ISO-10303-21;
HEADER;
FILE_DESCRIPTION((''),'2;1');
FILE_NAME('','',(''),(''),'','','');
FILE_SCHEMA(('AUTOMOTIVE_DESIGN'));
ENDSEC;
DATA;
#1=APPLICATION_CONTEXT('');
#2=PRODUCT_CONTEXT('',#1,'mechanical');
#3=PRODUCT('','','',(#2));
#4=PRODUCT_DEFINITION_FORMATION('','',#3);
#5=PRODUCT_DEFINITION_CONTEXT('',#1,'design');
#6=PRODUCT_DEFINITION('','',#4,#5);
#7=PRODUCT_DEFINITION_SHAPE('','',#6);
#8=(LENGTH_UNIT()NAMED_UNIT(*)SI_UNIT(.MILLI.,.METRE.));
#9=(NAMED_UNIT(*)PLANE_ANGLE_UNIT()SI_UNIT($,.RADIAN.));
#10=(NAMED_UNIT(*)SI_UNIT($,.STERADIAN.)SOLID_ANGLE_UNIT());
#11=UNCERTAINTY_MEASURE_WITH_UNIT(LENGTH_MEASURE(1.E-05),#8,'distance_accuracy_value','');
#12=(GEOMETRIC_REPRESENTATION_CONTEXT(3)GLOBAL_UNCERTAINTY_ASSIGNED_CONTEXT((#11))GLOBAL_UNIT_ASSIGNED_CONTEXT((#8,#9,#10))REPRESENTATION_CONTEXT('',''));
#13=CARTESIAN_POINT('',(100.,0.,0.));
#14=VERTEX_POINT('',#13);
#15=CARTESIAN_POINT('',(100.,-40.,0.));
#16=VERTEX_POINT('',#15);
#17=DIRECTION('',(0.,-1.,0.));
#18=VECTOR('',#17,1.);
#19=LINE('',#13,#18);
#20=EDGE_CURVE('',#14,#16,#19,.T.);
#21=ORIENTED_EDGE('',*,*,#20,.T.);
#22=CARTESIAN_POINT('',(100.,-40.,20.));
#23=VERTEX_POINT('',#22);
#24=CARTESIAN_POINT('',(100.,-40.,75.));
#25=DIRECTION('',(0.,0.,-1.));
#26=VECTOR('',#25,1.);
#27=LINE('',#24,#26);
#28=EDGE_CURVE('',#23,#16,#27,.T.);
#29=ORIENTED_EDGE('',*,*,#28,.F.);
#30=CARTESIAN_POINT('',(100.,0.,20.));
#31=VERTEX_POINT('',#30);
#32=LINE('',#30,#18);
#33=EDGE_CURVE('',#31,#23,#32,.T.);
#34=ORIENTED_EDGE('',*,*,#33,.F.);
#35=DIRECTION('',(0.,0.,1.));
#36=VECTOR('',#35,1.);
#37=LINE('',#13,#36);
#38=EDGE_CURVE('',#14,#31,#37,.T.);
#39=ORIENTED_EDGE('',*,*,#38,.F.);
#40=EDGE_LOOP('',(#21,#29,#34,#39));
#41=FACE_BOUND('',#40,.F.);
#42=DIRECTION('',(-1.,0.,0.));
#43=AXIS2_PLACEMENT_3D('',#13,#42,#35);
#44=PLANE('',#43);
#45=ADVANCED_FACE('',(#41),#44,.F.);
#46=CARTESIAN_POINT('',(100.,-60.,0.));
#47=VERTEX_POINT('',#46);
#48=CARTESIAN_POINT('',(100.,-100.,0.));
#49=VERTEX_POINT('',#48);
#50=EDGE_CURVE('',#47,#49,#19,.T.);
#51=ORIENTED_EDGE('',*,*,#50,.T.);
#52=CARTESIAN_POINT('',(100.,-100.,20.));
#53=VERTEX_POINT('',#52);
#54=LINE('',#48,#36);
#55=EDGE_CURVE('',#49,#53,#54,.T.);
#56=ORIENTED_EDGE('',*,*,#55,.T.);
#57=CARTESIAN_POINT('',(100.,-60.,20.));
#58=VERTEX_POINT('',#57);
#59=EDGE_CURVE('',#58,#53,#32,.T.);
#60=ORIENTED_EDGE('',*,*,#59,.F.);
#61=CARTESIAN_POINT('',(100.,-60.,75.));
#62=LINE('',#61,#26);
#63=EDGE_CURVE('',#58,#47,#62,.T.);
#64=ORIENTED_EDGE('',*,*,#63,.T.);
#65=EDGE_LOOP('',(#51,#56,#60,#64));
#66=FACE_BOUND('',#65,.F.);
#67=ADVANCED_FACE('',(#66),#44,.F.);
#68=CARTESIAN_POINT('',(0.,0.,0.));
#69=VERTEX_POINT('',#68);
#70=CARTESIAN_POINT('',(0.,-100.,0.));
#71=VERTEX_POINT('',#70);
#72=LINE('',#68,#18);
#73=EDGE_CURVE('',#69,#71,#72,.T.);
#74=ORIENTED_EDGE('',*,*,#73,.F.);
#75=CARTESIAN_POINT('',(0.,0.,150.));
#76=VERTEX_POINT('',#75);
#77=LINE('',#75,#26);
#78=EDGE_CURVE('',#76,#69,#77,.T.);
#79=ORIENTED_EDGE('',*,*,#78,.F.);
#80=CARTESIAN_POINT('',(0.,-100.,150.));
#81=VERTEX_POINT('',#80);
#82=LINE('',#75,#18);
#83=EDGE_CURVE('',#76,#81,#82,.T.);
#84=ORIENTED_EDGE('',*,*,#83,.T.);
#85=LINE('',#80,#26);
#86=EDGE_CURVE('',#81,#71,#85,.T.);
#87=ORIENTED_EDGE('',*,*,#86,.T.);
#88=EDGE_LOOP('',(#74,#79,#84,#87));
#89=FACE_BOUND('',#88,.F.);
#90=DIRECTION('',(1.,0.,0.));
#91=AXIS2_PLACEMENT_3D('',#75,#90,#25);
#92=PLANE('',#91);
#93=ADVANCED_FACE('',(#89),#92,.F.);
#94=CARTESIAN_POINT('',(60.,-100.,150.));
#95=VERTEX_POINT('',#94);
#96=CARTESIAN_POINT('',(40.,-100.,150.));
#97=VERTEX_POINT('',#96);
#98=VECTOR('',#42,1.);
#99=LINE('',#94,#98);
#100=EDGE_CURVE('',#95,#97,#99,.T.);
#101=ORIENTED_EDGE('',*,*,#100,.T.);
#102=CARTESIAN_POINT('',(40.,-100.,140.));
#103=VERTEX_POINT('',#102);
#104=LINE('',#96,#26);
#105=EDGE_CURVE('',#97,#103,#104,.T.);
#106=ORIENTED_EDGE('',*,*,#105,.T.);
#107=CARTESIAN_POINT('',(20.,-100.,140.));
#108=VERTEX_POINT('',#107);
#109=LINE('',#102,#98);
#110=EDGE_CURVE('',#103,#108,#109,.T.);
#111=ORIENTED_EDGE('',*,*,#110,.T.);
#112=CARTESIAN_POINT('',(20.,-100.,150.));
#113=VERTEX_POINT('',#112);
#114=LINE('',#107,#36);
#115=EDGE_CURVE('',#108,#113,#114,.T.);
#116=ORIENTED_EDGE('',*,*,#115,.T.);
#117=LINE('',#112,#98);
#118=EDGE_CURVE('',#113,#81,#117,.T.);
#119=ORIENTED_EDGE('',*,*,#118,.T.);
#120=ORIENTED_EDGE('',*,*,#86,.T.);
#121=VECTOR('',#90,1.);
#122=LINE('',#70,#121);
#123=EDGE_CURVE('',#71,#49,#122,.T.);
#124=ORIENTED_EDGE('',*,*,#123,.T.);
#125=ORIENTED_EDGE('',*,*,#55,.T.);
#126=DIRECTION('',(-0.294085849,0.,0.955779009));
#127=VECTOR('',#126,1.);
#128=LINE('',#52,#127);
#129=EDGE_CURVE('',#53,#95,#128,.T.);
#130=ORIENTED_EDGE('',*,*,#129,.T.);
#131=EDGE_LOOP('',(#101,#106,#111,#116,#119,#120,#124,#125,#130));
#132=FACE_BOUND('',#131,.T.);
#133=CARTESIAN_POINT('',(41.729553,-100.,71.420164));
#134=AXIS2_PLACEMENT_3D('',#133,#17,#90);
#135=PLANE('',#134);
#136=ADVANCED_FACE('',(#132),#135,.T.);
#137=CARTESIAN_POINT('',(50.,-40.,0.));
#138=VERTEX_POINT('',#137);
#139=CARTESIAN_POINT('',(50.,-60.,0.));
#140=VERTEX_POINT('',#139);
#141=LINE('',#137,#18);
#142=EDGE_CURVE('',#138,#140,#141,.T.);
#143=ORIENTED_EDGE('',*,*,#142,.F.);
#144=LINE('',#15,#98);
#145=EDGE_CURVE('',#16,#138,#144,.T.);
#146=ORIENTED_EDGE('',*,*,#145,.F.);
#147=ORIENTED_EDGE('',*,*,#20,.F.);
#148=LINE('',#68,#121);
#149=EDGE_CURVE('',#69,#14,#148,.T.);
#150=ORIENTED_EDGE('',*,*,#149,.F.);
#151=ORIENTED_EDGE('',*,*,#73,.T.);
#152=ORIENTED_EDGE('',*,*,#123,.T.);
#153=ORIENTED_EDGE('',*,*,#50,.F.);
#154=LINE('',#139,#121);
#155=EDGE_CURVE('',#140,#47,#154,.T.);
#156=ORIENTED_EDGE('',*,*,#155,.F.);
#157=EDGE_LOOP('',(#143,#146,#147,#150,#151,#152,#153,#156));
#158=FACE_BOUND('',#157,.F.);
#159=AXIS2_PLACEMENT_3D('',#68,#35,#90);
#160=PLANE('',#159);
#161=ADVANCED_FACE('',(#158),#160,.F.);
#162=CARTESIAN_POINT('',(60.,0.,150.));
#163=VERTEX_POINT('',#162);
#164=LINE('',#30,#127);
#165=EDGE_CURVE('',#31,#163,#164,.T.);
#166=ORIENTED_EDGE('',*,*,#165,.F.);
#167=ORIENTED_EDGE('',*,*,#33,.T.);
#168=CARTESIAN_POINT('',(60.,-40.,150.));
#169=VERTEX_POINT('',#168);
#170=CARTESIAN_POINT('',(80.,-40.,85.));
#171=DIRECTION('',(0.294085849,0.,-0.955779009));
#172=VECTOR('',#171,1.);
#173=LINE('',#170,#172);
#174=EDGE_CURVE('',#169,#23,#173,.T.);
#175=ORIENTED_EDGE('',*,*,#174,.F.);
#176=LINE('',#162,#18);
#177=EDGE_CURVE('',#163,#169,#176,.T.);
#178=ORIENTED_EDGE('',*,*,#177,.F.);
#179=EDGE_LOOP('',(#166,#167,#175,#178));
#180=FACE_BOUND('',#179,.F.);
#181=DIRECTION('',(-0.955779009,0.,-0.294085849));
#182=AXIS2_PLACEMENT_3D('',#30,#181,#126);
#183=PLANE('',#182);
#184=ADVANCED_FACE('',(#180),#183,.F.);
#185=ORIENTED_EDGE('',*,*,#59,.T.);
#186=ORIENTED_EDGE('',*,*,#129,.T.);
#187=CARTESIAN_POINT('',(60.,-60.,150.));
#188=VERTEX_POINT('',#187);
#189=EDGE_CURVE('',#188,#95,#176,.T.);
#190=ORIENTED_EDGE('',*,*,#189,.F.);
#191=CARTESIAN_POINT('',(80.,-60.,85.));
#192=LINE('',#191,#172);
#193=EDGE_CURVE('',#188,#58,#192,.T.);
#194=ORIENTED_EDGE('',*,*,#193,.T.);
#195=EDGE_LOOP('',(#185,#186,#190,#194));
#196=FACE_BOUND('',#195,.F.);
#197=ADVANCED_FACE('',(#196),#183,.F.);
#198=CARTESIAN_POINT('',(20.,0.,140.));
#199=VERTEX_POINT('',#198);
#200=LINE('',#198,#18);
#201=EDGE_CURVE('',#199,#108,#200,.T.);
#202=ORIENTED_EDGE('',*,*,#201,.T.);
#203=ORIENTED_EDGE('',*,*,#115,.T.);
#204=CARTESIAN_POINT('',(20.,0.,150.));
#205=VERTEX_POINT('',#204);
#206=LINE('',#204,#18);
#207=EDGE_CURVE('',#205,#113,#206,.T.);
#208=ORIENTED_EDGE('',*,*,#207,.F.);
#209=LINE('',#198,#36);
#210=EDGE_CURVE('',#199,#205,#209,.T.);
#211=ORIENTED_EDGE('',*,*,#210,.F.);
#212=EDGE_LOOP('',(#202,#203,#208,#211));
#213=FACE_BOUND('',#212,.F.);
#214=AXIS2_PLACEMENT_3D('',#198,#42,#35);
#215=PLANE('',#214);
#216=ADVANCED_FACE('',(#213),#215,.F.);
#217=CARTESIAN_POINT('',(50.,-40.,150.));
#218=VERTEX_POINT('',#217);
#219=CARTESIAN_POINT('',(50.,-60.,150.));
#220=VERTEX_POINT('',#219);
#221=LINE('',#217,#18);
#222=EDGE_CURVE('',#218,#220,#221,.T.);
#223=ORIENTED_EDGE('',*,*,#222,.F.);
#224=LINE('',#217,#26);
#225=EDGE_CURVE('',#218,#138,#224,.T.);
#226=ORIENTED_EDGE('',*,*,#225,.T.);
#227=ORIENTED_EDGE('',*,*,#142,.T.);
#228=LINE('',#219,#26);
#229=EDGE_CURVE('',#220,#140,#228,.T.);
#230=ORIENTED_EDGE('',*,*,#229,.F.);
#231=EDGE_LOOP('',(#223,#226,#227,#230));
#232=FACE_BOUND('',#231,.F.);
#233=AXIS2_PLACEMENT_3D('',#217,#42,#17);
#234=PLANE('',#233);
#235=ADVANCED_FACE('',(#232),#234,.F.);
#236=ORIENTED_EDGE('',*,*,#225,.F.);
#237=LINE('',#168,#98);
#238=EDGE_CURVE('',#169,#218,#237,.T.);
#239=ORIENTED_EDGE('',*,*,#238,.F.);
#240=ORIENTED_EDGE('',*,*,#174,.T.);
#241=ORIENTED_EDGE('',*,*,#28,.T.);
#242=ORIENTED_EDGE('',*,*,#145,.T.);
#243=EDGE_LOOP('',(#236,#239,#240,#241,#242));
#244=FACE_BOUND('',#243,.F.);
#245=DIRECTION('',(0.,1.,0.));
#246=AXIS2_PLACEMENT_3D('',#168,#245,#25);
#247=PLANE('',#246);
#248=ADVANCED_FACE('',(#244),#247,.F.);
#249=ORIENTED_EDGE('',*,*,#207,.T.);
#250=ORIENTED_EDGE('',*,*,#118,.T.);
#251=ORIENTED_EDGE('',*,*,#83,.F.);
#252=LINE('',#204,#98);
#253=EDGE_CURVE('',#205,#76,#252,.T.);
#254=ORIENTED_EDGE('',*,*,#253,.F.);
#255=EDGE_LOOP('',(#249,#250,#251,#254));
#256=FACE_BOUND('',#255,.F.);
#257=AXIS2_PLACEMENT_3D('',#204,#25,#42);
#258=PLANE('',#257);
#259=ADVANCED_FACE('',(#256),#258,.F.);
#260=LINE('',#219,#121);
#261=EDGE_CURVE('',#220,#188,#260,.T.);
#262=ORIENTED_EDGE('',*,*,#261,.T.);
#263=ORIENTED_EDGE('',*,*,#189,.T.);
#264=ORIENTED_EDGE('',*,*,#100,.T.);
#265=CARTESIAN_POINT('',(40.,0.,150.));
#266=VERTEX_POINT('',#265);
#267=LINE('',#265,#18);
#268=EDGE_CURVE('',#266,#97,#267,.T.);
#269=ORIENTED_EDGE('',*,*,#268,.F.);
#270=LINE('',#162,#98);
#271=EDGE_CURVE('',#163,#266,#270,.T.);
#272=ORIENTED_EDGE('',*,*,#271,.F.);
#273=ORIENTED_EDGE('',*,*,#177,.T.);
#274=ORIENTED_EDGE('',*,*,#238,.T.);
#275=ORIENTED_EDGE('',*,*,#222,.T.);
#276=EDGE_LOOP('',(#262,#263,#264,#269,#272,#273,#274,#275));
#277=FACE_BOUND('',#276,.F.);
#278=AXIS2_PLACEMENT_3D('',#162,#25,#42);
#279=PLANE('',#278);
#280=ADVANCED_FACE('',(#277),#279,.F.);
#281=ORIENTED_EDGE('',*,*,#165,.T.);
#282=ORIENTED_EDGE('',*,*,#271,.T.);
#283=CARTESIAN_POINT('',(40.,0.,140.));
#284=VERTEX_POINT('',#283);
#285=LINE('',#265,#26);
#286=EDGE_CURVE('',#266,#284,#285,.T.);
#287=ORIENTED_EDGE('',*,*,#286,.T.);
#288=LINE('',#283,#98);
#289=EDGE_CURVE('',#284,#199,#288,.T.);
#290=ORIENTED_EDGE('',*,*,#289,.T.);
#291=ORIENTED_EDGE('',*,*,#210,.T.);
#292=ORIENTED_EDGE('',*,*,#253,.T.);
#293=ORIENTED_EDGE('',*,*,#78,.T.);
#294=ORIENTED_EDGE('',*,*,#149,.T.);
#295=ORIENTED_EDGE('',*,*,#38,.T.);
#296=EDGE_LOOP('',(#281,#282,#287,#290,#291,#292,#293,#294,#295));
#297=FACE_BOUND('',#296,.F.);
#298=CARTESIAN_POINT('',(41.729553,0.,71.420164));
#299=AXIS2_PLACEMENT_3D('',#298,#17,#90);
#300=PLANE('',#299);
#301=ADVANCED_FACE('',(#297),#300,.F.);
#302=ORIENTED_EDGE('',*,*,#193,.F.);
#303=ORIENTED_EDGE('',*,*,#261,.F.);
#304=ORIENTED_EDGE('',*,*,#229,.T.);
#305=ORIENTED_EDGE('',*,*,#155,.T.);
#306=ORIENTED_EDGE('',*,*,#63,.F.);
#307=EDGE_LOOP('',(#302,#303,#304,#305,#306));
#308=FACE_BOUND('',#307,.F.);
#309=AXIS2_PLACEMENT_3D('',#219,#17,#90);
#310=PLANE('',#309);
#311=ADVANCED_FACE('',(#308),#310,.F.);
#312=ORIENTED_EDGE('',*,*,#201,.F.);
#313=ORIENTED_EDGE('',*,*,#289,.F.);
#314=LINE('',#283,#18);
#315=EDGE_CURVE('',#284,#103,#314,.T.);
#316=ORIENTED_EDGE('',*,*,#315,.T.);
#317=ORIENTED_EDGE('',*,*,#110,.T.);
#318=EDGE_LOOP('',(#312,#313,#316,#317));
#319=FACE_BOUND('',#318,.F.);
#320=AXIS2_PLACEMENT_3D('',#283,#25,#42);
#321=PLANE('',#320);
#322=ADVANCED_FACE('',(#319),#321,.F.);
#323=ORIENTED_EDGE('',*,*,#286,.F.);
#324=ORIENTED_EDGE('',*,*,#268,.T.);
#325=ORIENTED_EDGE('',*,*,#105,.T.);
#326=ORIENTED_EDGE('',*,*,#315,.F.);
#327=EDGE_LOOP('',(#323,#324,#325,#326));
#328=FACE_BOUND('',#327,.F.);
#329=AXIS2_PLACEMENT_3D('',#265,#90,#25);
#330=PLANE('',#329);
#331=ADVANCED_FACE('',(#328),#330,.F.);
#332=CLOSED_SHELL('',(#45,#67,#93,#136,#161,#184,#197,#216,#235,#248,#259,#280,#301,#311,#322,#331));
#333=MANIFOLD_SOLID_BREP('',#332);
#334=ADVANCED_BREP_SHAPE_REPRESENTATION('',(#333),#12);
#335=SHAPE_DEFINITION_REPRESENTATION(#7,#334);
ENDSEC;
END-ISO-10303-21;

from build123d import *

# Parameters (mm, degrees)
F1_DEPTH = 100
F4_DEPTH = 150
F5_DEPTH = 100


with BuildPart() as f1:
    # F0 (on Front) → F1 (new body)
    with BuildSketch(Plane.XZ):
        Polygon((0, 150), (0, 0), (100, 0), (100, 20), (60, 150), (40, 150), (40, 140), (20, 140), (20, 150), align=None)
    extrude(amount=F1_DEPTH)

    # F3 (on face) → F4 (cut)
    with BuildSketch(Plane.XY.offset(150)):
        Polygon((60, -60), (60, -50), (60, -40), (50, -40), (50, -60), align=None)
    extrude(amount=-F4_DEPTH, mode=Mode.SUBTRACT)

    # F5 (cut): a face of the model
    f5_faces = [f1.faces().sort_by_distance(p)[0] for p in [
        (60, -50, 75),
    ]]
    extrude(f5_faces, amount=-F5_DEPTH, mode=Mode.SUBTRACT)


solid = f1.part
